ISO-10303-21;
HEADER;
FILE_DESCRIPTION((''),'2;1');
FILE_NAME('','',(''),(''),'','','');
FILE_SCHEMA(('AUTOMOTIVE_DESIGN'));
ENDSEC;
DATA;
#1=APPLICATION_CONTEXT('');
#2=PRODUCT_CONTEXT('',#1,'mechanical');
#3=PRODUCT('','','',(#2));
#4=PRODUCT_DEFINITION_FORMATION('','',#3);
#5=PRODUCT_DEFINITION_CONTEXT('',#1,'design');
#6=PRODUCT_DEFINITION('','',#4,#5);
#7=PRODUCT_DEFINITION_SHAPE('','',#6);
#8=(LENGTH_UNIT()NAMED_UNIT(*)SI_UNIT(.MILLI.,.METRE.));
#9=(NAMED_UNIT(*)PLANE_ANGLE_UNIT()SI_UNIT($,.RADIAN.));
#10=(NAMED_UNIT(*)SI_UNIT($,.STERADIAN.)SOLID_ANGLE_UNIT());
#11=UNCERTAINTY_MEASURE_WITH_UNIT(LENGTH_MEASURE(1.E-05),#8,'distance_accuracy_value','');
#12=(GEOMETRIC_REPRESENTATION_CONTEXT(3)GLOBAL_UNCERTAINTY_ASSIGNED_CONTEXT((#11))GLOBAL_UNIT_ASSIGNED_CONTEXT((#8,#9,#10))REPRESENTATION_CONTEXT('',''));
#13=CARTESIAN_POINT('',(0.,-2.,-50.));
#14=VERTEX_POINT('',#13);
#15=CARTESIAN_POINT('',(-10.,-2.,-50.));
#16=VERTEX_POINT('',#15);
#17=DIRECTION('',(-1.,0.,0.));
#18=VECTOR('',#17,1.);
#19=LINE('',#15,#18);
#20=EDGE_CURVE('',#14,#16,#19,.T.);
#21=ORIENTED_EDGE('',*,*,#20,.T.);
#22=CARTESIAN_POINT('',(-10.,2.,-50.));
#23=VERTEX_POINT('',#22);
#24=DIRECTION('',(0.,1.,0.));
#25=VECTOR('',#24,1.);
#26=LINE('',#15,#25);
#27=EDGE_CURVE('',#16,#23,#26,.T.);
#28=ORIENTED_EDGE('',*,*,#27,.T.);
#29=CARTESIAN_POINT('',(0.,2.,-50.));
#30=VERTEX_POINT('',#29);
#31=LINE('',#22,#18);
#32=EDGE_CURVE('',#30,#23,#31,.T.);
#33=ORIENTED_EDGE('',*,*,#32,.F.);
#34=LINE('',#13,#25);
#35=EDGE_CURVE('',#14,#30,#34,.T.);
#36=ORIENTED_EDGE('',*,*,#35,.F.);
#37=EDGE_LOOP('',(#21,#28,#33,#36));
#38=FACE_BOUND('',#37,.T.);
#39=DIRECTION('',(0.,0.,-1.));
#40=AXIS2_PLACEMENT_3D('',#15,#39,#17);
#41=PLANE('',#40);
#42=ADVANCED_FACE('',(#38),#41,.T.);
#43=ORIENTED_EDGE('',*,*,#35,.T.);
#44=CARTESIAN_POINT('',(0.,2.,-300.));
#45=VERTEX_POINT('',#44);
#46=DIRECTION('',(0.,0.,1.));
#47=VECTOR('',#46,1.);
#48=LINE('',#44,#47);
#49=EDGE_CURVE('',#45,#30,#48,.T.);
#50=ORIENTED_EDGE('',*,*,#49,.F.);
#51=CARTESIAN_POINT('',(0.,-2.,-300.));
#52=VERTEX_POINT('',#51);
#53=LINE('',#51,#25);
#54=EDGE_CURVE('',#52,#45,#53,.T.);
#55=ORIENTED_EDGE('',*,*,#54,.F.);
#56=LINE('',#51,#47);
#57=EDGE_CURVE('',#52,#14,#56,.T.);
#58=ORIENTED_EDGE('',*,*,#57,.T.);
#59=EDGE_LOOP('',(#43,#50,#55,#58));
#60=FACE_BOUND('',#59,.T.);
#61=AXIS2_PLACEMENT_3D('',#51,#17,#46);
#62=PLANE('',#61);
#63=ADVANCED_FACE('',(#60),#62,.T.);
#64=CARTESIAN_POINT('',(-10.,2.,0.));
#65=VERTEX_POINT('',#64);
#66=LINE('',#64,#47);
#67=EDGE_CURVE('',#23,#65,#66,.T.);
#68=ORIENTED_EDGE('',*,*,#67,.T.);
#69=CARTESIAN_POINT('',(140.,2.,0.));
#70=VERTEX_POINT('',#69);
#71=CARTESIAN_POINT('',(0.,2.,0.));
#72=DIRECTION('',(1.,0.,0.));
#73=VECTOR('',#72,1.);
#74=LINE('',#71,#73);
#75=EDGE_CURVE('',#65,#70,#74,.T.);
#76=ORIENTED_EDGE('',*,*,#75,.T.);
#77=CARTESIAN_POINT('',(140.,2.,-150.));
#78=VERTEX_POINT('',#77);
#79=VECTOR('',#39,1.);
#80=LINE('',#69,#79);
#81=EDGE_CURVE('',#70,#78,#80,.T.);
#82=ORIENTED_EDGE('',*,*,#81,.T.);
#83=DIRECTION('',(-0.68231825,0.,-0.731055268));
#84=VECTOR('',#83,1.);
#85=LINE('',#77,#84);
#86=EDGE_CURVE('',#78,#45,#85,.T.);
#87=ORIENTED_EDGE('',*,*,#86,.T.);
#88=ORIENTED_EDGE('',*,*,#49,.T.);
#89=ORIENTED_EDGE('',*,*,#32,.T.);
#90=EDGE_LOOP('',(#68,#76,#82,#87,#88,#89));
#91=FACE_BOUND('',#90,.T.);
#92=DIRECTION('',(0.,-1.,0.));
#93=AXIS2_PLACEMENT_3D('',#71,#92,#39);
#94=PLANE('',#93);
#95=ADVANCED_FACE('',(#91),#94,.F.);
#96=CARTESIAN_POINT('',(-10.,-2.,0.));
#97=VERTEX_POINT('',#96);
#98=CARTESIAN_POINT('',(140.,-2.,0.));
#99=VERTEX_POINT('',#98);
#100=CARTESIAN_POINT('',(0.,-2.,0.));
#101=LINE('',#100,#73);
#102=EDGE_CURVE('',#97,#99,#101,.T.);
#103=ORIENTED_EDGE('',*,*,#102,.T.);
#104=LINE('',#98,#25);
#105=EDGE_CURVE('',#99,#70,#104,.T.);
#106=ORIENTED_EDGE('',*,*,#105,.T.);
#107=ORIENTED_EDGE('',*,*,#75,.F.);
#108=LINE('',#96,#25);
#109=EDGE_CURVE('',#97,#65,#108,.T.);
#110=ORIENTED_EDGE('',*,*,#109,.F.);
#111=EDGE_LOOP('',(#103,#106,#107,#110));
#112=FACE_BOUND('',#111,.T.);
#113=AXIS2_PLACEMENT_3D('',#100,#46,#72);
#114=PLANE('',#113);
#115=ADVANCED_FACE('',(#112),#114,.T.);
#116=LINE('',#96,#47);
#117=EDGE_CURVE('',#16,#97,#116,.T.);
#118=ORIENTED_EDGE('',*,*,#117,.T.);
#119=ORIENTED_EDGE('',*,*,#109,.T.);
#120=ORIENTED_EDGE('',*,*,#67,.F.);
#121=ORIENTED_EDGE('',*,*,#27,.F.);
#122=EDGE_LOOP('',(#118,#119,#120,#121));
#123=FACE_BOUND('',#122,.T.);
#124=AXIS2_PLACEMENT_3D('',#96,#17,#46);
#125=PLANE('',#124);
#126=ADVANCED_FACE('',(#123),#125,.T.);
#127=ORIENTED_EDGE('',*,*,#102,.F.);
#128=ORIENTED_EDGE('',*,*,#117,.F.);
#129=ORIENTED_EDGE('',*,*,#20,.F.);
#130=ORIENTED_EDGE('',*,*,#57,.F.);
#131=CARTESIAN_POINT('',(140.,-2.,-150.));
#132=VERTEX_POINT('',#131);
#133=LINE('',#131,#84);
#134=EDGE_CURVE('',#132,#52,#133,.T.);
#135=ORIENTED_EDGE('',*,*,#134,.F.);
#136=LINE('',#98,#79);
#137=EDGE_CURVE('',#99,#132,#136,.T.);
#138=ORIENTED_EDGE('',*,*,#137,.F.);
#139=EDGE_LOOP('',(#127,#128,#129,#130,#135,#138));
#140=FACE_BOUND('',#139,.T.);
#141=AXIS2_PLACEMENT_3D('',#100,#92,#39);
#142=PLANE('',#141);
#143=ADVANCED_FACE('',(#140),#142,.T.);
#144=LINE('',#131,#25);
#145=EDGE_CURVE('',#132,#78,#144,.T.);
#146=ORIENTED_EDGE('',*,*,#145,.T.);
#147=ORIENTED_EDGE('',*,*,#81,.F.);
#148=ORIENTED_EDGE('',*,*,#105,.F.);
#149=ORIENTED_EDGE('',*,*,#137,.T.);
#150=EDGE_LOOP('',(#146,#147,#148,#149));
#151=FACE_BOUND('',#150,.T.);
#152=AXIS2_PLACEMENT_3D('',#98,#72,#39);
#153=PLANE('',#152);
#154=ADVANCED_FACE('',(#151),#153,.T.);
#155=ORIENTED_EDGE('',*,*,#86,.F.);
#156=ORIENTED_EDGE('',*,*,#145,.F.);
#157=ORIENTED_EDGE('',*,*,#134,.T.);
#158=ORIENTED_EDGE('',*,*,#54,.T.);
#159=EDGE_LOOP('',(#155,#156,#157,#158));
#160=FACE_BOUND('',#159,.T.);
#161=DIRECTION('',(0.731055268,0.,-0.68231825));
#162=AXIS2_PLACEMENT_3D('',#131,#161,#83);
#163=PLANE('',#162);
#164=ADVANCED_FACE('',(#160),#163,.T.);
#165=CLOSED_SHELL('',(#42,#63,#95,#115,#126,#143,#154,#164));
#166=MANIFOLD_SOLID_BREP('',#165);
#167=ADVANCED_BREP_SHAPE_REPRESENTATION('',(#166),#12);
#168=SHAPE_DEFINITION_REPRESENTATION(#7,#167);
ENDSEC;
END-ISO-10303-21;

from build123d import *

# Parameters (mm, degrees)
ESTRUSIONE_ESTRUSIONE1_DEPTH      = 2
ESTRUSIONE_ESTRUSIONE1_DEPTH_BACK = 2


with BuildPart() as part:
    # Forma aletta → Estrusione-Estrusione1 (new, two sides: drawn at the far end of the back side and taken through both)
    with BuildSketch(Plane(origin=(0, 0, 0), x_dir=(1, 0, 0), z_dir=(0, 1, 0)).offset(-ESTRUSIONE_ESTRUSIONE1_DEPTH_BACK)):
        Polygon((0, 300), (0, 50), (-10, 50), (-10, 0), (0, 0), (140, 0), (140, 150), align=None)
    extrude(amount=ESTRUSIONE_ESTRUSIONE1_DEPTH + ESTRUSIONE_ESTRUSIONE1_DEPTH_BACK)


solid = part.part
